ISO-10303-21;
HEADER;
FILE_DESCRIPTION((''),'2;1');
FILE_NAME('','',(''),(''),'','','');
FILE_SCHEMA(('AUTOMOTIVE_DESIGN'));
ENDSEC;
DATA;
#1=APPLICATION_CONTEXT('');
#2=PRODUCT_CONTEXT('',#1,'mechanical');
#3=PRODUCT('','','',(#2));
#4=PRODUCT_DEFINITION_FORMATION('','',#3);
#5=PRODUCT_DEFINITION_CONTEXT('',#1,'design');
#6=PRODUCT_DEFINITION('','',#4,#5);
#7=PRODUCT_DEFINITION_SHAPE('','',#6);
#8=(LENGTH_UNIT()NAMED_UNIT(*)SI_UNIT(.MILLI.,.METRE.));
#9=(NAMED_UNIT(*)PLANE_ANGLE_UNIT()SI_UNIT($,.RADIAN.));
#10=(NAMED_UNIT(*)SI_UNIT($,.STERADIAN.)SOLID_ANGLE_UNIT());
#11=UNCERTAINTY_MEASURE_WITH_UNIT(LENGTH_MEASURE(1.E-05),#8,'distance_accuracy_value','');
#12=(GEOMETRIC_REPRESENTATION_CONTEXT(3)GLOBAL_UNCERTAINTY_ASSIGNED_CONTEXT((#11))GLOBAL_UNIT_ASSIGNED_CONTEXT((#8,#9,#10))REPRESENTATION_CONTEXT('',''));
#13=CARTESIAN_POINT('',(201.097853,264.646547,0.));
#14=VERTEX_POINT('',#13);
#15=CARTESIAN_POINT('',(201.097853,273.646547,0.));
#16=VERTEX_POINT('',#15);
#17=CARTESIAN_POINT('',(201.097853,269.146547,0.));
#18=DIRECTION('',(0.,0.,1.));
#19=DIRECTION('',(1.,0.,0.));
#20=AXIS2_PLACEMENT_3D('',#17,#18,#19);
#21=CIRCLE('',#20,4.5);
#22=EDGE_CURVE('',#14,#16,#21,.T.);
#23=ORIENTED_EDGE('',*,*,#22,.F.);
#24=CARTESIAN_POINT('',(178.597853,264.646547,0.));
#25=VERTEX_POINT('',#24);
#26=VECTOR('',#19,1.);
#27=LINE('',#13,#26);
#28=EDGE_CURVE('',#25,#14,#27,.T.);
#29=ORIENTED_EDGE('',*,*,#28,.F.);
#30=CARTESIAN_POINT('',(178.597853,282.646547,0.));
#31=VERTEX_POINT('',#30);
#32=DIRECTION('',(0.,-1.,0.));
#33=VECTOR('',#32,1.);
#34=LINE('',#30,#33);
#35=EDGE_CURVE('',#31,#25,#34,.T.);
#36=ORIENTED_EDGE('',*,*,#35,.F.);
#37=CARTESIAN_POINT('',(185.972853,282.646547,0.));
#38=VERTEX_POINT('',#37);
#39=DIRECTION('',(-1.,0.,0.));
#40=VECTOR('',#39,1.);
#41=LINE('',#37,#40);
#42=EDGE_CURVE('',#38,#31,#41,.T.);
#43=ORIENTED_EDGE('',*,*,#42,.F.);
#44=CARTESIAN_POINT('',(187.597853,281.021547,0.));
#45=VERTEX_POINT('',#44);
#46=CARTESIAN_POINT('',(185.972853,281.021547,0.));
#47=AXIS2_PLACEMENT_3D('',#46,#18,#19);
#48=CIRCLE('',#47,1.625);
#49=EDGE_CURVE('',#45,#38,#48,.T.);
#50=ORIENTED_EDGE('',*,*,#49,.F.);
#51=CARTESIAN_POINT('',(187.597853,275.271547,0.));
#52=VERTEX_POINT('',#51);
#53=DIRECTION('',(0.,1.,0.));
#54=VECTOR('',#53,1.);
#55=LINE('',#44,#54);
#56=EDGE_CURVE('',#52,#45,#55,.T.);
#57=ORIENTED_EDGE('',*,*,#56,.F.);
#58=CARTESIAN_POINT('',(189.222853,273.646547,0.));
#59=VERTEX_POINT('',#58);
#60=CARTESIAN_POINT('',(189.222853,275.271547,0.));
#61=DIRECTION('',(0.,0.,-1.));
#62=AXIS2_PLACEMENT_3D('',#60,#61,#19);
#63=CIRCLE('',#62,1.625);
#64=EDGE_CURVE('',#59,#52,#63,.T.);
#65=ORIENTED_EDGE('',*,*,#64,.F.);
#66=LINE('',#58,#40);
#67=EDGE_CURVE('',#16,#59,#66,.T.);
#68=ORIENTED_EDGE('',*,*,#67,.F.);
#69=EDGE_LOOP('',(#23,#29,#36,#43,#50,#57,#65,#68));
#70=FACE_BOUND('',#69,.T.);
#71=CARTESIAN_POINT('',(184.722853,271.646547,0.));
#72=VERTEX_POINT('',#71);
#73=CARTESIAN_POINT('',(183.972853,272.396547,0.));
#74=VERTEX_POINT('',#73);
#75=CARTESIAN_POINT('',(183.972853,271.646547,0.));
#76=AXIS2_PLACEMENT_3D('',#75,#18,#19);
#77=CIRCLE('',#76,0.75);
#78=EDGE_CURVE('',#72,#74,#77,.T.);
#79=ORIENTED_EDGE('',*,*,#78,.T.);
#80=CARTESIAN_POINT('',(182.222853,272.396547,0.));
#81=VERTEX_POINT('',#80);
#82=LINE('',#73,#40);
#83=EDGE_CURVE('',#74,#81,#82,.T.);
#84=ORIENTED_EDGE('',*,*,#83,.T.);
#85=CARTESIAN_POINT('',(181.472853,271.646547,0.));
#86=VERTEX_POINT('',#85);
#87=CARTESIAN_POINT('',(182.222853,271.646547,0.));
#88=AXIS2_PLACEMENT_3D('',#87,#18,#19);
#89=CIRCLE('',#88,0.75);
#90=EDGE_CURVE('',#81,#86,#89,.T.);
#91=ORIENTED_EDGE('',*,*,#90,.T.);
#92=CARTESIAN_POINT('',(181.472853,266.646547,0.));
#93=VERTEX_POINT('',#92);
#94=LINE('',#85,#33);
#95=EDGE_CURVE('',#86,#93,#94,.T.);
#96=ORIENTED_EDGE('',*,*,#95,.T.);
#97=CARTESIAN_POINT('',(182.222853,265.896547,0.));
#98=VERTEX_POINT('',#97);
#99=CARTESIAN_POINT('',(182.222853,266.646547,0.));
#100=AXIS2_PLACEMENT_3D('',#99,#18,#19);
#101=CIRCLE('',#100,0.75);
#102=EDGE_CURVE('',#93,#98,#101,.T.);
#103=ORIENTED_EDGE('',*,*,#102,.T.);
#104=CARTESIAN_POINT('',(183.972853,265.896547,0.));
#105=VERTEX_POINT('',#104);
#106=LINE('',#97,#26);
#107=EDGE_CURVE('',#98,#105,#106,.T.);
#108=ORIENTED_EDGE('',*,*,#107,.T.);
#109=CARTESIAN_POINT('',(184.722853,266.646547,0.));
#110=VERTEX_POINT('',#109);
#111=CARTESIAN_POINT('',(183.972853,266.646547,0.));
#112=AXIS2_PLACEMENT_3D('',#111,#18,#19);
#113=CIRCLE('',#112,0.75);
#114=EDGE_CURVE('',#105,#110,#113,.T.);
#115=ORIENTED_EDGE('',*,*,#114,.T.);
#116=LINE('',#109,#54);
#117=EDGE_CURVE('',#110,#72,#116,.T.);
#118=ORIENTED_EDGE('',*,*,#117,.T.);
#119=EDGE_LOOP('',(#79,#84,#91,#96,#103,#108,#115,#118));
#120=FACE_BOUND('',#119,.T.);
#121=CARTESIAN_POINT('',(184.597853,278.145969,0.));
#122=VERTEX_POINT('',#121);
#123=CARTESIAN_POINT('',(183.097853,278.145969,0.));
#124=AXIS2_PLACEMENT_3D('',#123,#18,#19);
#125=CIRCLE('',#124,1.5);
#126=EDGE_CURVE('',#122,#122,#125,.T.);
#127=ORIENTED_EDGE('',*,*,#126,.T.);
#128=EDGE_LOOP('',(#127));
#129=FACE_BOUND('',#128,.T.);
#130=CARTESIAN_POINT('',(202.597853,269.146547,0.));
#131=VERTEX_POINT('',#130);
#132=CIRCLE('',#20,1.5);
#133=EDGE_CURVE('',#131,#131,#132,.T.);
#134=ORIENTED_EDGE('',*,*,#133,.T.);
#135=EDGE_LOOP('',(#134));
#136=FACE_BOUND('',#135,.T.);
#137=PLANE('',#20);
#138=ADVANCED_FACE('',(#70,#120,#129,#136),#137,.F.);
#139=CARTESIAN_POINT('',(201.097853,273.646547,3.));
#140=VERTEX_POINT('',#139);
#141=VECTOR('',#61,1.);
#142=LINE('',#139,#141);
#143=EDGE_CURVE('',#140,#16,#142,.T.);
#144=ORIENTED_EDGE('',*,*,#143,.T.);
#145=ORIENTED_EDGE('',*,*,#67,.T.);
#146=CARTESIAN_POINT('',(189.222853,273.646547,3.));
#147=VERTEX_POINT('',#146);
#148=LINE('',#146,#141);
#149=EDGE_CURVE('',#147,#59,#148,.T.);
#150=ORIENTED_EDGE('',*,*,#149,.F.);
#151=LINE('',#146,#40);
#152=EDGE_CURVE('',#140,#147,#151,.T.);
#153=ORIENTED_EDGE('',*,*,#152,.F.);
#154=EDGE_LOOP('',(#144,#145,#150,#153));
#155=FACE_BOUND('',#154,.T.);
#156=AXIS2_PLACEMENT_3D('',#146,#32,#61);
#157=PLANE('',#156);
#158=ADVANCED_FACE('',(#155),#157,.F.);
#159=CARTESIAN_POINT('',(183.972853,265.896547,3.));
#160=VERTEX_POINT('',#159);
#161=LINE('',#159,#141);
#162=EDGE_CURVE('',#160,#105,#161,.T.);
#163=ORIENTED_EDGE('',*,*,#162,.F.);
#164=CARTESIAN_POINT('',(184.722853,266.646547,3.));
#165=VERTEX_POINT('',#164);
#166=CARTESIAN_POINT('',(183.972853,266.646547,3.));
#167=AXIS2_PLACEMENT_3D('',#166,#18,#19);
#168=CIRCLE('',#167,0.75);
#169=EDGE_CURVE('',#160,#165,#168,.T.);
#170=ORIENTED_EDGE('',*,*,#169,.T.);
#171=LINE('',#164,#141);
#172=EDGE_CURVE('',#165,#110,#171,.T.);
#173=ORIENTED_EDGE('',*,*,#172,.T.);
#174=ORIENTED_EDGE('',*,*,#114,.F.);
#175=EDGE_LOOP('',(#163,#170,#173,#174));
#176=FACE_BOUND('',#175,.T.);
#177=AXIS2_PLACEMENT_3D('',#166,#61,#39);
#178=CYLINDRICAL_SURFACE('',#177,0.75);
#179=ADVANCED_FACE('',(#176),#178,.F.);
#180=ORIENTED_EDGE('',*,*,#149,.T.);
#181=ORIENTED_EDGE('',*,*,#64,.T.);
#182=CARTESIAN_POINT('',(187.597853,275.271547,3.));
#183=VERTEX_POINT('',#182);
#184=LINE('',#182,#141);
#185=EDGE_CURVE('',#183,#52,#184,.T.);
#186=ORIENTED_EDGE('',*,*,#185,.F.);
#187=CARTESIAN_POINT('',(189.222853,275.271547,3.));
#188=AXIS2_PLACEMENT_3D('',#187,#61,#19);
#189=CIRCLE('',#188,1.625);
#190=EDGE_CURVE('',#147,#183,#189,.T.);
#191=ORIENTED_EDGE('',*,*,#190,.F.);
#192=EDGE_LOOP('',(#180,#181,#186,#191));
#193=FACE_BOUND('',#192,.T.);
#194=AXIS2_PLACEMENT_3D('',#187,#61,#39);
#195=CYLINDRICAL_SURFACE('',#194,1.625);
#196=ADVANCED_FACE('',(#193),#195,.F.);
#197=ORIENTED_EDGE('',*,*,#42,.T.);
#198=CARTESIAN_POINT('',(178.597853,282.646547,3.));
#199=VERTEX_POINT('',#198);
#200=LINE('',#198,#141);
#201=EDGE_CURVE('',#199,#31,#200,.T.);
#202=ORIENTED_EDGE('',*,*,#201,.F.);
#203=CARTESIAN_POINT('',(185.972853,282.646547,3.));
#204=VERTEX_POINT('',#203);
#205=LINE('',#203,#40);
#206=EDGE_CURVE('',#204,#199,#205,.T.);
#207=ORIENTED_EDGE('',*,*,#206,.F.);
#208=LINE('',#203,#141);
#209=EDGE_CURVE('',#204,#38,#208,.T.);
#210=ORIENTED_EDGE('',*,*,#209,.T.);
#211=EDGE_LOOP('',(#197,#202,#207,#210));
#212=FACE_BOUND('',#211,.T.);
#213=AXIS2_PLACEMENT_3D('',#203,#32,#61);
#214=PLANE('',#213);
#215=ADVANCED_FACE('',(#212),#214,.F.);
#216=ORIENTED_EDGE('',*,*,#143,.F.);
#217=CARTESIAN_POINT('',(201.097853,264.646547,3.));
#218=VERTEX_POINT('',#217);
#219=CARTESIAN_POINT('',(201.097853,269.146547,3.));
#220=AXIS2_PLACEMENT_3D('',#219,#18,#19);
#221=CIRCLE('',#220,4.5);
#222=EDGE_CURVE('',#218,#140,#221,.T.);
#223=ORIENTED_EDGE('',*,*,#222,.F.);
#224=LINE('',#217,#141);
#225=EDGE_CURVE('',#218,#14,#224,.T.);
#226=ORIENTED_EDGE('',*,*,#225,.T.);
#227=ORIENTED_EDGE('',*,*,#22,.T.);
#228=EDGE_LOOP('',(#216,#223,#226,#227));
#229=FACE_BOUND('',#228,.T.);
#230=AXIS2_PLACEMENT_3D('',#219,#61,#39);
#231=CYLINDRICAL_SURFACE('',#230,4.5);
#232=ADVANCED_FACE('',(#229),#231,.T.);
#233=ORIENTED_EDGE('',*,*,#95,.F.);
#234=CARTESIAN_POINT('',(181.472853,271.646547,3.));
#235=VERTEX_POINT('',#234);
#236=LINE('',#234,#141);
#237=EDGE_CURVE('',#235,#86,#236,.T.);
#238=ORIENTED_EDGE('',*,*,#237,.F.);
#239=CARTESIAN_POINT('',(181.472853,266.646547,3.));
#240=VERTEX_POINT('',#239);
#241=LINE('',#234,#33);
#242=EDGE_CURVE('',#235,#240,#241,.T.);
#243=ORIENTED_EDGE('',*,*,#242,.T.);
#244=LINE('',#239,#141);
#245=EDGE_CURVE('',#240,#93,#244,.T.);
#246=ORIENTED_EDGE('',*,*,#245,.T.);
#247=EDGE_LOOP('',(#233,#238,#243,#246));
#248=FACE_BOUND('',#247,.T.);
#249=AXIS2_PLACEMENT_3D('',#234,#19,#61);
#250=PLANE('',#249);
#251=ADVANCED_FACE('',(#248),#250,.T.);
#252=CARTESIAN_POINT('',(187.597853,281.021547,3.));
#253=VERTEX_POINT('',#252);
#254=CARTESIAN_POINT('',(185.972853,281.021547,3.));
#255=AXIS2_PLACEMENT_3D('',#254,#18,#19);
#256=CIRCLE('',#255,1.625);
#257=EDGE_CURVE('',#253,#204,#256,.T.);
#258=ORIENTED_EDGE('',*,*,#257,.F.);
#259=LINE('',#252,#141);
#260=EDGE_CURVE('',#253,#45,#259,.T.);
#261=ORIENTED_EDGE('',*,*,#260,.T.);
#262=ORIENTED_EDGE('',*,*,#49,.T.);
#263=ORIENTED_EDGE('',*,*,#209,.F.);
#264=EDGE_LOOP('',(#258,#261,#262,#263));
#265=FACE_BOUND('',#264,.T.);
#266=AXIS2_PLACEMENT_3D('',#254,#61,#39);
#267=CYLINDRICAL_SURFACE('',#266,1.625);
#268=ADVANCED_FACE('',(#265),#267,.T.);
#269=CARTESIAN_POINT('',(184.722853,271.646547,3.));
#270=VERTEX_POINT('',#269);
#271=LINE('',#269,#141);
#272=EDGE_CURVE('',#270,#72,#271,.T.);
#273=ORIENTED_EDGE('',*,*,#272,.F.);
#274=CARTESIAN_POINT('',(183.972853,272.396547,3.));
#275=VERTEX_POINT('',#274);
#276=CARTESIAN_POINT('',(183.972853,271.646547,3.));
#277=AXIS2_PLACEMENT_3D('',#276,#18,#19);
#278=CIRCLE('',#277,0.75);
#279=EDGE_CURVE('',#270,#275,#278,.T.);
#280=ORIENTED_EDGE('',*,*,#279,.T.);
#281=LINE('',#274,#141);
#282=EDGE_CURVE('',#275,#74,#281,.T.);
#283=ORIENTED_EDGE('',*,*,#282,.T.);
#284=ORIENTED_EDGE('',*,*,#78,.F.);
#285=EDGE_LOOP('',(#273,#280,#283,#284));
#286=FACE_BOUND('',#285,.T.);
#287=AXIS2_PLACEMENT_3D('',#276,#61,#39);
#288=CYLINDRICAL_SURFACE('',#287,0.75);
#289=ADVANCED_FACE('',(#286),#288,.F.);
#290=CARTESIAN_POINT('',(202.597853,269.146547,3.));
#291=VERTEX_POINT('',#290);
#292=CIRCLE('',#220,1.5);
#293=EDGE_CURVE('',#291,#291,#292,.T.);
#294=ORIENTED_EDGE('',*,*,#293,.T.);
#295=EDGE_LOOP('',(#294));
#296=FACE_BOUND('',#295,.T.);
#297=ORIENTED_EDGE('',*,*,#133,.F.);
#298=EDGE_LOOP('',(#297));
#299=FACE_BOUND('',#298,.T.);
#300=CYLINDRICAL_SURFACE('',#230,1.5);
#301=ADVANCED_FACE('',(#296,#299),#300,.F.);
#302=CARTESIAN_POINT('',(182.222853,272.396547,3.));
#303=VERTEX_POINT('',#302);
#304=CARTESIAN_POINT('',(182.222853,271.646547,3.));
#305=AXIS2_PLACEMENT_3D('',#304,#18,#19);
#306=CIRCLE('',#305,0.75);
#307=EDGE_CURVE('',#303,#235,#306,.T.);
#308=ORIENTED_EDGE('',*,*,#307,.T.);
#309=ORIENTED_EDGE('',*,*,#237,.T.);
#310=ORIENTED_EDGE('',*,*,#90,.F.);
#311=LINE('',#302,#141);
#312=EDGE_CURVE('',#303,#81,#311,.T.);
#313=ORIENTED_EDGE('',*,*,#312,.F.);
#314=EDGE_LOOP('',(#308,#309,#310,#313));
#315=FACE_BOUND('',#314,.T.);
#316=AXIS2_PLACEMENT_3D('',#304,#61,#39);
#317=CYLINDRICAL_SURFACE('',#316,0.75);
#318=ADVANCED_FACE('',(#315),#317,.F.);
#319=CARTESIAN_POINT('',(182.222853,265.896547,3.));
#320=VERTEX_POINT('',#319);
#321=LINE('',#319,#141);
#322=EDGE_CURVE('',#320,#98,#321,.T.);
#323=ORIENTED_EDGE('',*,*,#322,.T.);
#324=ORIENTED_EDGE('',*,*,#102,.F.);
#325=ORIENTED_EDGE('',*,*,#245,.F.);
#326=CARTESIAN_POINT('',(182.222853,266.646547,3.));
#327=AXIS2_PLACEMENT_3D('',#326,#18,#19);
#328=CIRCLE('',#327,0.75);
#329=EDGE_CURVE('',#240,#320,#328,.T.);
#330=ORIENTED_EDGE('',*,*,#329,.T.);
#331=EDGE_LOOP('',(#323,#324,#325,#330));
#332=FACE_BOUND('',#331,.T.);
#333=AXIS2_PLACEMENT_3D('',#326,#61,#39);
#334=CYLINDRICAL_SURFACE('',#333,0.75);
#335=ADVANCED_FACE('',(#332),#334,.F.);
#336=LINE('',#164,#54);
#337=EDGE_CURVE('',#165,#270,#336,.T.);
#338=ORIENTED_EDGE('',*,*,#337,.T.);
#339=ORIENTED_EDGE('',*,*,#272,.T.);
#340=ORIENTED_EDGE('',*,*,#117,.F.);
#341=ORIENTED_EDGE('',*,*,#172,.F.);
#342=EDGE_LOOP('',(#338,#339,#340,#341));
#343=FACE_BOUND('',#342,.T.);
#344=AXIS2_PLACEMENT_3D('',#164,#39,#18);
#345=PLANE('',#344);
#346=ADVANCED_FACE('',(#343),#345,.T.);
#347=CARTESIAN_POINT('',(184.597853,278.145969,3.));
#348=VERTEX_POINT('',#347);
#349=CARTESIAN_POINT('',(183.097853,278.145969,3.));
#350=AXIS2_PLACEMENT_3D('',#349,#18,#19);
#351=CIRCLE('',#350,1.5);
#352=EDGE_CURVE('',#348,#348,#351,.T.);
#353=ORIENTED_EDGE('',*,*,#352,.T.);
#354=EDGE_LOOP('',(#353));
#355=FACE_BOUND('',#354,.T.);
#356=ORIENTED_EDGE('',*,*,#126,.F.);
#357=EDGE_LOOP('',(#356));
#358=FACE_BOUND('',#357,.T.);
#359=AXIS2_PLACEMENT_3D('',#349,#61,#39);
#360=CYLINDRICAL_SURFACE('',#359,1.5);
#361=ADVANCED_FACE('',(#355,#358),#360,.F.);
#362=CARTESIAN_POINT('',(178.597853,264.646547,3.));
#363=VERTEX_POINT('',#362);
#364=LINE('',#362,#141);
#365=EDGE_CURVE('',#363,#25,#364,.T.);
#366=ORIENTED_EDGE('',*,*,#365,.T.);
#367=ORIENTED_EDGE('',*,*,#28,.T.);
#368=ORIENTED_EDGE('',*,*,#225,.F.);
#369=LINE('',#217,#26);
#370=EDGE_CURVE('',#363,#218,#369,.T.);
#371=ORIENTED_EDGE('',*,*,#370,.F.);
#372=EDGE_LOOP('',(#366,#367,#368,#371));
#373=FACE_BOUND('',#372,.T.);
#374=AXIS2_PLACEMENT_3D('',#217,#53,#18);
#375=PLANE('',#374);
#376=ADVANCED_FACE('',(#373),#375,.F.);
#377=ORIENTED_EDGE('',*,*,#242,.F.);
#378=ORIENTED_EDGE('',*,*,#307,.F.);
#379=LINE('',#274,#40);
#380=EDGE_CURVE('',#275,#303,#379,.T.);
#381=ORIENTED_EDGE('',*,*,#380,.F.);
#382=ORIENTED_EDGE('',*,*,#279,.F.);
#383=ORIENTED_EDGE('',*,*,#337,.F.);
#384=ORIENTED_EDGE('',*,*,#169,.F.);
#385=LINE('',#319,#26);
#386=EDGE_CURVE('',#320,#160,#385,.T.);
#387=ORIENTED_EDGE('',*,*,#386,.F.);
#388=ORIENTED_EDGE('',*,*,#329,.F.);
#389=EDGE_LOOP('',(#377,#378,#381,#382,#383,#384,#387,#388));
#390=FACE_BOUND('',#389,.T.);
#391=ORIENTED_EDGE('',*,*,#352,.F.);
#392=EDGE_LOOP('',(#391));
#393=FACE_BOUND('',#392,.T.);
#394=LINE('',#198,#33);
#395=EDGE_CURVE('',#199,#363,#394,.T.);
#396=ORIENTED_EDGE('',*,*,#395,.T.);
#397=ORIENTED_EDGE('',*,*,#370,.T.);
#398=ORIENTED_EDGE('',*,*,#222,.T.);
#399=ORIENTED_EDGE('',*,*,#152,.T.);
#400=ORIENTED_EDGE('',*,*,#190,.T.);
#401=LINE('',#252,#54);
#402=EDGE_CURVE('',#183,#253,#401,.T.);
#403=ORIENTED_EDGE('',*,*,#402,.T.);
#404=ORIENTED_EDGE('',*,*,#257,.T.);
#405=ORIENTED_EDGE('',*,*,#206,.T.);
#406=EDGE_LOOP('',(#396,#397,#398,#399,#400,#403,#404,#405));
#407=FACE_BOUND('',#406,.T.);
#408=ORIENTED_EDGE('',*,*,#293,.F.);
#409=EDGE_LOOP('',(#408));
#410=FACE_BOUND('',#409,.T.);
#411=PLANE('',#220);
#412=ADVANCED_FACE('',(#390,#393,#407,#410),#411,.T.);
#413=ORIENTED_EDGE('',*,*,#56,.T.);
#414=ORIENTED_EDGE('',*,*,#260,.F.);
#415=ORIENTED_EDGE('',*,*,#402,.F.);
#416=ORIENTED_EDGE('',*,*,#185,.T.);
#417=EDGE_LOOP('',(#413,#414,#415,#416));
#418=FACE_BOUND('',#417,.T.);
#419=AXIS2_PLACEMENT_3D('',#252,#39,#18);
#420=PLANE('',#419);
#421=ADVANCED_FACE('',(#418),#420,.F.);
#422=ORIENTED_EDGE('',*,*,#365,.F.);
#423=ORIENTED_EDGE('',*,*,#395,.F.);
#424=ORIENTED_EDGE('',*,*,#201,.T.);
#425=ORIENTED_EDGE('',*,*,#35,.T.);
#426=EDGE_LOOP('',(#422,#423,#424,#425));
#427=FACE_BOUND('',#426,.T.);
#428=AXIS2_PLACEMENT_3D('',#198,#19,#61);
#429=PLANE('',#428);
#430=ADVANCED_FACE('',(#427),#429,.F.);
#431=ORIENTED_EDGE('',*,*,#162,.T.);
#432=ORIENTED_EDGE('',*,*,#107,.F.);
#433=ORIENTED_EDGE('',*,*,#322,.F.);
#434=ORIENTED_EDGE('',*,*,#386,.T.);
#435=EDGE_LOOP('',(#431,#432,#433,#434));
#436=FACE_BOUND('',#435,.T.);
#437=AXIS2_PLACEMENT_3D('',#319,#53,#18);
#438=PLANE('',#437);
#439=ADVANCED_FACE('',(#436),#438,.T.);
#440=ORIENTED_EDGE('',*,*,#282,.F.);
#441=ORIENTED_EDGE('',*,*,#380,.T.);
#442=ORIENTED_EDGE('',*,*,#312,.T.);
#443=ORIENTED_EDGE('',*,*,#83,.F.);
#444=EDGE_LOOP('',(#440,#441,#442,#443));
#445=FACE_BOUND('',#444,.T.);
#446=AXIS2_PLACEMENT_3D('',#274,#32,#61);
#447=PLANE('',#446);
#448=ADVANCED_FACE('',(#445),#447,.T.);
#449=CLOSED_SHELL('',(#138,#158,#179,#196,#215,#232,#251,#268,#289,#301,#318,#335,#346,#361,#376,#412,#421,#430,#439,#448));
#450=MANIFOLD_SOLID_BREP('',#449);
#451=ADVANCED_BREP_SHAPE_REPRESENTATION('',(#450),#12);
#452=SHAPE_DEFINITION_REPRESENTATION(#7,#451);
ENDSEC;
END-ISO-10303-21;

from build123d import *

# Parameters (mm, degrees)
MODEL_R                 = 1.5
SALIENTE_EXTRUIR1_DEPTH = 3


with BuildPart() as part:
    # Model → Saliente-Extruir1 (new body)
    with BuildSketch(Plane.XY):
        with BuildLine():
            Line((185.972853309, 282.646547335), (178.597853309, 282.646547335))
            Line((178.597853309, 282.646547335), (178.597853309, 264.646547335))
            Line((178.597853309, 264.646547335), (201.097853309, 264.646547335))
            ThreePointArc((201.097853309, 264.646547335), (205.597853309, 269.146547335), (201.097853309, 273.646547335))
            Line((201.097853309, 273.646547335), (189.222853309, 273.646547335))
            ThreePointArc((189.222853309, 273.646547335), (188.07380479, 274.122498816), (187.597853309, 275.271547335))
            Line((187.597853309, 275.271547335), (187.597853309, 281.021547335))
            ThreePointArc((187.597853309, 281.021547335), (187.121901829, 282.170595855), (185.972853309, 282.646547335))
        make_face()
        with Locations((201.097853309, 269.146547335)):
            Circle(MODEL_R, mode=Mode.SUBTRACT)
        with Locations((183.097853309, 278.145968764)):
            Circle(MODEL_R, mode=Mode.SUBTRACT)
        with BuildLine():
            Line((182.222853309, 265.896547335), (183.972853309, 265.896547335))
            ThreePointArc((183.972853309, 265.896547335), (184.503183395, 266.116217249), (184.722853309, 266.646547335))
            Line((184.722853309, 266.646547335), (184.722853309, 271.646547335))
            ThreePointArc((184.722853309, 271.646547335), (184.503183395, 272.176877421), (183.972853309, 272.396547335))
            Line((183.972853309, 272.396547335), (182.222853309, 272.396547335))
            ThreePointArc((182.222853309, 272.396547335), (181.692523223, 272.176877421), (181.472853309, 271.646547335))
            Line((181.472853309, 271.646547335), (181.472853309, 266.646547335))
            ThreePointArc((181.472853309, 266.646547335), (181.692523223, 266.116217249), (182.222853309, 265.896547335))
        make_face(mode=Mode.SUBTRACT)
    extrude(amount=SALIENTE_EXTRUIR1_DEPTH)


solid = part.part
